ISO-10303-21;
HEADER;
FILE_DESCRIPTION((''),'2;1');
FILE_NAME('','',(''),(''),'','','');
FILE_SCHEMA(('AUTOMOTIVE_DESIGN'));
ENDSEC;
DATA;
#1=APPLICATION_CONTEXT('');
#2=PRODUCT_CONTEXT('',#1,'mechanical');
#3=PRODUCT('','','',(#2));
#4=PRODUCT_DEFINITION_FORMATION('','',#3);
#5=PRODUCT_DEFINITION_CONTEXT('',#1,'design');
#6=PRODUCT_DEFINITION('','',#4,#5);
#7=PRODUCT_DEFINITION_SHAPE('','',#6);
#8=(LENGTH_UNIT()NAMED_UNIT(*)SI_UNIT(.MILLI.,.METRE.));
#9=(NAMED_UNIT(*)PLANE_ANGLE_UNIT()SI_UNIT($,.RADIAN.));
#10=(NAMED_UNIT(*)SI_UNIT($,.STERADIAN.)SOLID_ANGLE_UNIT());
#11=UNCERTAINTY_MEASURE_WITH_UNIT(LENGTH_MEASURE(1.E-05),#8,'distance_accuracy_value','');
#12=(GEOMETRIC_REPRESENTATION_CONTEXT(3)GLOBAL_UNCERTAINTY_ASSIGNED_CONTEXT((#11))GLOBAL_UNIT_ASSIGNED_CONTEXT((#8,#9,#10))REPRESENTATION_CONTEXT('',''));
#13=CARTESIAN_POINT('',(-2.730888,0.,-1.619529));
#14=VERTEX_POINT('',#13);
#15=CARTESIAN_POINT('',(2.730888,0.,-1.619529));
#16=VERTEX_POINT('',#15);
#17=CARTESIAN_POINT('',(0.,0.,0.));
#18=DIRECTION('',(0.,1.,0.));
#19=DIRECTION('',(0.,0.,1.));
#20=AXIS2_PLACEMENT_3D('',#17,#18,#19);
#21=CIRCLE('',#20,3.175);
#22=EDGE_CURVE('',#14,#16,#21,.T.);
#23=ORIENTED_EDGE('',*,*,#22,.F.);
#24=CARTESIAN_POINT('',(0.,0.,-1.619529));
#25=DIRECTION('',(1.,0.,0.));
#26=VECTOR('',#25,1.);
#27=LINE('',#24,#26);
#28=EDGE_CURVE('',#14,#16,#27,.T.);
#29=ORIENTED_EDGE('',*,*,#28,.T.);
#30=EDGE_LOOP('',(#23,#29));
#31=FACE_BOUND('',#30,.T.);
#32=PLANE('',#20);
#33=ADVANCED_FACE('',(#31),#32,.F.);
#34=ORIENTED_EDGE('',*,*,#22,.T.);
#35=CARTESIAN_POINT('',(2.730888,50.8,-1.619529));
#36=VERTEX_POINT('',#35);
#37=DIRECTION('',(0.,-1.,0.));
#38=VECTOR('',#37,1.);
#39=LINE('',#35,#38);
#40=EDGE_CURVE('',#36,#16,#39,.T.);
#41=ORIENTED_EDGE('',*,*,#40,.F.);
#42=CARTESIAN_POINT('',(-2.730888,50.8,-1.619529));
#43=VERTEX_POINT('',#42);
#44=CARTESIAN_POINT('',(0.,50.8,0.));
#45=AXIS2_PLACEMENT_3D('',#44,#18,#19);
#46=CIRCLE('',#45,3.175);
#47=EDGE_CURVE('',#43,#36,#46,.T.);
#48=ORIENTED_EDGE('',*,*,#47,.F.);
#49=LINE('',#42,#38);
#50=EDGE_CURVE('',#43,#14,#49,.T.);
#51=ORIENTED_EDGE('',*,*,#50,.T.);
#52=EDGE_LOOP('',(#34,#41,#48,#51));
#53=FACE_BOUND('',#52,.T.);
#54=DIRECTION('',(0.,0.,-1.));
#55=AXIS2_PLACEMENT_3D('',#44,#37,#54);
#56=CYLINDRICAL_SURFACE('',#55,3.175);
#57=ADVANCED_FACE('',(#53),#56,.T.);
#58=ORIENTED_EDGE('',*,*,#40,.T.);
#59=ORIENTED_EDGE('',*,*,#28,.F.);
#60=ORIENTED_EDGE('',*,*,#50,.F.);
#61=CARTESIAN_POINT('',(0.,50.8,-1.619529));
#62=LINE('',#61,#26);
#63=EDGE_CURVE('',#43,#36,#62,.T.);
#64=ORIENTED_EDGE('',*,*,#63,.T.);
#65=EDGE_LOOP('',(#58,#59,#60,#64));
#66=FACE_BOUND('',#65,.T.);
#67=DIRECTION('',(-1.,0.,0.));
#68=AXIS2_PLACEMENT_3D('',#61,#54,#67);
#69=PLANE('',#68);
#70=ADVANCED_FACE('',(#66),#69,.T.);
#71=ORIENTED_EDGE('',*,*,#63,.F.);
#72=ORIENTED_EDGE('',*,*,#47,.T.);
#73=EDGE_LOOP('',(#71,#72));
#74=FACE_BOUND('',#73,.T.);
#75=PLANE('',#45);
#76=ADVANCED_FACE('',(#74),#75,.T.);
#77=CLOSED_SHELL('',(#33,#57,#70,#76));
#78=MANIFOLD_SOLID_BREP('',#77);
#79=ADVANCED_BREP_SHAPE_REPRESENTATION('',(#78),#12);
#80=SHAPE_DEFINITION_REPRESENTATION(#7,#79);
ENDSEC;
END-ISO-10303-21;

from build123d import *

# Parameters (mm, degrees)
BOSS_EXTRUDE1_DEPTH = 50.8


with BuildPart() as part:
    # Sketch1 → Boss-Extrude1 (new body)
    with BuildSketch(Plane(origin=(0, 0, 0), x_dir=(1, 0, 0), z_dir=(0, 1, 0))):
        with BuildLine():
            Line((2.730888358, 1.619528874), (-2.730888358, 1.619528874))
            ThreePointArc((-2.730888358, 1.619528874), (-0.839658997, -3.061959792), (3.175, 0))
            ThreePointArc((3.175, 0), (3.061959792, 0.839658997), (2.730888358, 1.619528874))
        make_face()
    extrude(amount=BOSS_EXTRUDE1_DEPTH)


solid = part.part
